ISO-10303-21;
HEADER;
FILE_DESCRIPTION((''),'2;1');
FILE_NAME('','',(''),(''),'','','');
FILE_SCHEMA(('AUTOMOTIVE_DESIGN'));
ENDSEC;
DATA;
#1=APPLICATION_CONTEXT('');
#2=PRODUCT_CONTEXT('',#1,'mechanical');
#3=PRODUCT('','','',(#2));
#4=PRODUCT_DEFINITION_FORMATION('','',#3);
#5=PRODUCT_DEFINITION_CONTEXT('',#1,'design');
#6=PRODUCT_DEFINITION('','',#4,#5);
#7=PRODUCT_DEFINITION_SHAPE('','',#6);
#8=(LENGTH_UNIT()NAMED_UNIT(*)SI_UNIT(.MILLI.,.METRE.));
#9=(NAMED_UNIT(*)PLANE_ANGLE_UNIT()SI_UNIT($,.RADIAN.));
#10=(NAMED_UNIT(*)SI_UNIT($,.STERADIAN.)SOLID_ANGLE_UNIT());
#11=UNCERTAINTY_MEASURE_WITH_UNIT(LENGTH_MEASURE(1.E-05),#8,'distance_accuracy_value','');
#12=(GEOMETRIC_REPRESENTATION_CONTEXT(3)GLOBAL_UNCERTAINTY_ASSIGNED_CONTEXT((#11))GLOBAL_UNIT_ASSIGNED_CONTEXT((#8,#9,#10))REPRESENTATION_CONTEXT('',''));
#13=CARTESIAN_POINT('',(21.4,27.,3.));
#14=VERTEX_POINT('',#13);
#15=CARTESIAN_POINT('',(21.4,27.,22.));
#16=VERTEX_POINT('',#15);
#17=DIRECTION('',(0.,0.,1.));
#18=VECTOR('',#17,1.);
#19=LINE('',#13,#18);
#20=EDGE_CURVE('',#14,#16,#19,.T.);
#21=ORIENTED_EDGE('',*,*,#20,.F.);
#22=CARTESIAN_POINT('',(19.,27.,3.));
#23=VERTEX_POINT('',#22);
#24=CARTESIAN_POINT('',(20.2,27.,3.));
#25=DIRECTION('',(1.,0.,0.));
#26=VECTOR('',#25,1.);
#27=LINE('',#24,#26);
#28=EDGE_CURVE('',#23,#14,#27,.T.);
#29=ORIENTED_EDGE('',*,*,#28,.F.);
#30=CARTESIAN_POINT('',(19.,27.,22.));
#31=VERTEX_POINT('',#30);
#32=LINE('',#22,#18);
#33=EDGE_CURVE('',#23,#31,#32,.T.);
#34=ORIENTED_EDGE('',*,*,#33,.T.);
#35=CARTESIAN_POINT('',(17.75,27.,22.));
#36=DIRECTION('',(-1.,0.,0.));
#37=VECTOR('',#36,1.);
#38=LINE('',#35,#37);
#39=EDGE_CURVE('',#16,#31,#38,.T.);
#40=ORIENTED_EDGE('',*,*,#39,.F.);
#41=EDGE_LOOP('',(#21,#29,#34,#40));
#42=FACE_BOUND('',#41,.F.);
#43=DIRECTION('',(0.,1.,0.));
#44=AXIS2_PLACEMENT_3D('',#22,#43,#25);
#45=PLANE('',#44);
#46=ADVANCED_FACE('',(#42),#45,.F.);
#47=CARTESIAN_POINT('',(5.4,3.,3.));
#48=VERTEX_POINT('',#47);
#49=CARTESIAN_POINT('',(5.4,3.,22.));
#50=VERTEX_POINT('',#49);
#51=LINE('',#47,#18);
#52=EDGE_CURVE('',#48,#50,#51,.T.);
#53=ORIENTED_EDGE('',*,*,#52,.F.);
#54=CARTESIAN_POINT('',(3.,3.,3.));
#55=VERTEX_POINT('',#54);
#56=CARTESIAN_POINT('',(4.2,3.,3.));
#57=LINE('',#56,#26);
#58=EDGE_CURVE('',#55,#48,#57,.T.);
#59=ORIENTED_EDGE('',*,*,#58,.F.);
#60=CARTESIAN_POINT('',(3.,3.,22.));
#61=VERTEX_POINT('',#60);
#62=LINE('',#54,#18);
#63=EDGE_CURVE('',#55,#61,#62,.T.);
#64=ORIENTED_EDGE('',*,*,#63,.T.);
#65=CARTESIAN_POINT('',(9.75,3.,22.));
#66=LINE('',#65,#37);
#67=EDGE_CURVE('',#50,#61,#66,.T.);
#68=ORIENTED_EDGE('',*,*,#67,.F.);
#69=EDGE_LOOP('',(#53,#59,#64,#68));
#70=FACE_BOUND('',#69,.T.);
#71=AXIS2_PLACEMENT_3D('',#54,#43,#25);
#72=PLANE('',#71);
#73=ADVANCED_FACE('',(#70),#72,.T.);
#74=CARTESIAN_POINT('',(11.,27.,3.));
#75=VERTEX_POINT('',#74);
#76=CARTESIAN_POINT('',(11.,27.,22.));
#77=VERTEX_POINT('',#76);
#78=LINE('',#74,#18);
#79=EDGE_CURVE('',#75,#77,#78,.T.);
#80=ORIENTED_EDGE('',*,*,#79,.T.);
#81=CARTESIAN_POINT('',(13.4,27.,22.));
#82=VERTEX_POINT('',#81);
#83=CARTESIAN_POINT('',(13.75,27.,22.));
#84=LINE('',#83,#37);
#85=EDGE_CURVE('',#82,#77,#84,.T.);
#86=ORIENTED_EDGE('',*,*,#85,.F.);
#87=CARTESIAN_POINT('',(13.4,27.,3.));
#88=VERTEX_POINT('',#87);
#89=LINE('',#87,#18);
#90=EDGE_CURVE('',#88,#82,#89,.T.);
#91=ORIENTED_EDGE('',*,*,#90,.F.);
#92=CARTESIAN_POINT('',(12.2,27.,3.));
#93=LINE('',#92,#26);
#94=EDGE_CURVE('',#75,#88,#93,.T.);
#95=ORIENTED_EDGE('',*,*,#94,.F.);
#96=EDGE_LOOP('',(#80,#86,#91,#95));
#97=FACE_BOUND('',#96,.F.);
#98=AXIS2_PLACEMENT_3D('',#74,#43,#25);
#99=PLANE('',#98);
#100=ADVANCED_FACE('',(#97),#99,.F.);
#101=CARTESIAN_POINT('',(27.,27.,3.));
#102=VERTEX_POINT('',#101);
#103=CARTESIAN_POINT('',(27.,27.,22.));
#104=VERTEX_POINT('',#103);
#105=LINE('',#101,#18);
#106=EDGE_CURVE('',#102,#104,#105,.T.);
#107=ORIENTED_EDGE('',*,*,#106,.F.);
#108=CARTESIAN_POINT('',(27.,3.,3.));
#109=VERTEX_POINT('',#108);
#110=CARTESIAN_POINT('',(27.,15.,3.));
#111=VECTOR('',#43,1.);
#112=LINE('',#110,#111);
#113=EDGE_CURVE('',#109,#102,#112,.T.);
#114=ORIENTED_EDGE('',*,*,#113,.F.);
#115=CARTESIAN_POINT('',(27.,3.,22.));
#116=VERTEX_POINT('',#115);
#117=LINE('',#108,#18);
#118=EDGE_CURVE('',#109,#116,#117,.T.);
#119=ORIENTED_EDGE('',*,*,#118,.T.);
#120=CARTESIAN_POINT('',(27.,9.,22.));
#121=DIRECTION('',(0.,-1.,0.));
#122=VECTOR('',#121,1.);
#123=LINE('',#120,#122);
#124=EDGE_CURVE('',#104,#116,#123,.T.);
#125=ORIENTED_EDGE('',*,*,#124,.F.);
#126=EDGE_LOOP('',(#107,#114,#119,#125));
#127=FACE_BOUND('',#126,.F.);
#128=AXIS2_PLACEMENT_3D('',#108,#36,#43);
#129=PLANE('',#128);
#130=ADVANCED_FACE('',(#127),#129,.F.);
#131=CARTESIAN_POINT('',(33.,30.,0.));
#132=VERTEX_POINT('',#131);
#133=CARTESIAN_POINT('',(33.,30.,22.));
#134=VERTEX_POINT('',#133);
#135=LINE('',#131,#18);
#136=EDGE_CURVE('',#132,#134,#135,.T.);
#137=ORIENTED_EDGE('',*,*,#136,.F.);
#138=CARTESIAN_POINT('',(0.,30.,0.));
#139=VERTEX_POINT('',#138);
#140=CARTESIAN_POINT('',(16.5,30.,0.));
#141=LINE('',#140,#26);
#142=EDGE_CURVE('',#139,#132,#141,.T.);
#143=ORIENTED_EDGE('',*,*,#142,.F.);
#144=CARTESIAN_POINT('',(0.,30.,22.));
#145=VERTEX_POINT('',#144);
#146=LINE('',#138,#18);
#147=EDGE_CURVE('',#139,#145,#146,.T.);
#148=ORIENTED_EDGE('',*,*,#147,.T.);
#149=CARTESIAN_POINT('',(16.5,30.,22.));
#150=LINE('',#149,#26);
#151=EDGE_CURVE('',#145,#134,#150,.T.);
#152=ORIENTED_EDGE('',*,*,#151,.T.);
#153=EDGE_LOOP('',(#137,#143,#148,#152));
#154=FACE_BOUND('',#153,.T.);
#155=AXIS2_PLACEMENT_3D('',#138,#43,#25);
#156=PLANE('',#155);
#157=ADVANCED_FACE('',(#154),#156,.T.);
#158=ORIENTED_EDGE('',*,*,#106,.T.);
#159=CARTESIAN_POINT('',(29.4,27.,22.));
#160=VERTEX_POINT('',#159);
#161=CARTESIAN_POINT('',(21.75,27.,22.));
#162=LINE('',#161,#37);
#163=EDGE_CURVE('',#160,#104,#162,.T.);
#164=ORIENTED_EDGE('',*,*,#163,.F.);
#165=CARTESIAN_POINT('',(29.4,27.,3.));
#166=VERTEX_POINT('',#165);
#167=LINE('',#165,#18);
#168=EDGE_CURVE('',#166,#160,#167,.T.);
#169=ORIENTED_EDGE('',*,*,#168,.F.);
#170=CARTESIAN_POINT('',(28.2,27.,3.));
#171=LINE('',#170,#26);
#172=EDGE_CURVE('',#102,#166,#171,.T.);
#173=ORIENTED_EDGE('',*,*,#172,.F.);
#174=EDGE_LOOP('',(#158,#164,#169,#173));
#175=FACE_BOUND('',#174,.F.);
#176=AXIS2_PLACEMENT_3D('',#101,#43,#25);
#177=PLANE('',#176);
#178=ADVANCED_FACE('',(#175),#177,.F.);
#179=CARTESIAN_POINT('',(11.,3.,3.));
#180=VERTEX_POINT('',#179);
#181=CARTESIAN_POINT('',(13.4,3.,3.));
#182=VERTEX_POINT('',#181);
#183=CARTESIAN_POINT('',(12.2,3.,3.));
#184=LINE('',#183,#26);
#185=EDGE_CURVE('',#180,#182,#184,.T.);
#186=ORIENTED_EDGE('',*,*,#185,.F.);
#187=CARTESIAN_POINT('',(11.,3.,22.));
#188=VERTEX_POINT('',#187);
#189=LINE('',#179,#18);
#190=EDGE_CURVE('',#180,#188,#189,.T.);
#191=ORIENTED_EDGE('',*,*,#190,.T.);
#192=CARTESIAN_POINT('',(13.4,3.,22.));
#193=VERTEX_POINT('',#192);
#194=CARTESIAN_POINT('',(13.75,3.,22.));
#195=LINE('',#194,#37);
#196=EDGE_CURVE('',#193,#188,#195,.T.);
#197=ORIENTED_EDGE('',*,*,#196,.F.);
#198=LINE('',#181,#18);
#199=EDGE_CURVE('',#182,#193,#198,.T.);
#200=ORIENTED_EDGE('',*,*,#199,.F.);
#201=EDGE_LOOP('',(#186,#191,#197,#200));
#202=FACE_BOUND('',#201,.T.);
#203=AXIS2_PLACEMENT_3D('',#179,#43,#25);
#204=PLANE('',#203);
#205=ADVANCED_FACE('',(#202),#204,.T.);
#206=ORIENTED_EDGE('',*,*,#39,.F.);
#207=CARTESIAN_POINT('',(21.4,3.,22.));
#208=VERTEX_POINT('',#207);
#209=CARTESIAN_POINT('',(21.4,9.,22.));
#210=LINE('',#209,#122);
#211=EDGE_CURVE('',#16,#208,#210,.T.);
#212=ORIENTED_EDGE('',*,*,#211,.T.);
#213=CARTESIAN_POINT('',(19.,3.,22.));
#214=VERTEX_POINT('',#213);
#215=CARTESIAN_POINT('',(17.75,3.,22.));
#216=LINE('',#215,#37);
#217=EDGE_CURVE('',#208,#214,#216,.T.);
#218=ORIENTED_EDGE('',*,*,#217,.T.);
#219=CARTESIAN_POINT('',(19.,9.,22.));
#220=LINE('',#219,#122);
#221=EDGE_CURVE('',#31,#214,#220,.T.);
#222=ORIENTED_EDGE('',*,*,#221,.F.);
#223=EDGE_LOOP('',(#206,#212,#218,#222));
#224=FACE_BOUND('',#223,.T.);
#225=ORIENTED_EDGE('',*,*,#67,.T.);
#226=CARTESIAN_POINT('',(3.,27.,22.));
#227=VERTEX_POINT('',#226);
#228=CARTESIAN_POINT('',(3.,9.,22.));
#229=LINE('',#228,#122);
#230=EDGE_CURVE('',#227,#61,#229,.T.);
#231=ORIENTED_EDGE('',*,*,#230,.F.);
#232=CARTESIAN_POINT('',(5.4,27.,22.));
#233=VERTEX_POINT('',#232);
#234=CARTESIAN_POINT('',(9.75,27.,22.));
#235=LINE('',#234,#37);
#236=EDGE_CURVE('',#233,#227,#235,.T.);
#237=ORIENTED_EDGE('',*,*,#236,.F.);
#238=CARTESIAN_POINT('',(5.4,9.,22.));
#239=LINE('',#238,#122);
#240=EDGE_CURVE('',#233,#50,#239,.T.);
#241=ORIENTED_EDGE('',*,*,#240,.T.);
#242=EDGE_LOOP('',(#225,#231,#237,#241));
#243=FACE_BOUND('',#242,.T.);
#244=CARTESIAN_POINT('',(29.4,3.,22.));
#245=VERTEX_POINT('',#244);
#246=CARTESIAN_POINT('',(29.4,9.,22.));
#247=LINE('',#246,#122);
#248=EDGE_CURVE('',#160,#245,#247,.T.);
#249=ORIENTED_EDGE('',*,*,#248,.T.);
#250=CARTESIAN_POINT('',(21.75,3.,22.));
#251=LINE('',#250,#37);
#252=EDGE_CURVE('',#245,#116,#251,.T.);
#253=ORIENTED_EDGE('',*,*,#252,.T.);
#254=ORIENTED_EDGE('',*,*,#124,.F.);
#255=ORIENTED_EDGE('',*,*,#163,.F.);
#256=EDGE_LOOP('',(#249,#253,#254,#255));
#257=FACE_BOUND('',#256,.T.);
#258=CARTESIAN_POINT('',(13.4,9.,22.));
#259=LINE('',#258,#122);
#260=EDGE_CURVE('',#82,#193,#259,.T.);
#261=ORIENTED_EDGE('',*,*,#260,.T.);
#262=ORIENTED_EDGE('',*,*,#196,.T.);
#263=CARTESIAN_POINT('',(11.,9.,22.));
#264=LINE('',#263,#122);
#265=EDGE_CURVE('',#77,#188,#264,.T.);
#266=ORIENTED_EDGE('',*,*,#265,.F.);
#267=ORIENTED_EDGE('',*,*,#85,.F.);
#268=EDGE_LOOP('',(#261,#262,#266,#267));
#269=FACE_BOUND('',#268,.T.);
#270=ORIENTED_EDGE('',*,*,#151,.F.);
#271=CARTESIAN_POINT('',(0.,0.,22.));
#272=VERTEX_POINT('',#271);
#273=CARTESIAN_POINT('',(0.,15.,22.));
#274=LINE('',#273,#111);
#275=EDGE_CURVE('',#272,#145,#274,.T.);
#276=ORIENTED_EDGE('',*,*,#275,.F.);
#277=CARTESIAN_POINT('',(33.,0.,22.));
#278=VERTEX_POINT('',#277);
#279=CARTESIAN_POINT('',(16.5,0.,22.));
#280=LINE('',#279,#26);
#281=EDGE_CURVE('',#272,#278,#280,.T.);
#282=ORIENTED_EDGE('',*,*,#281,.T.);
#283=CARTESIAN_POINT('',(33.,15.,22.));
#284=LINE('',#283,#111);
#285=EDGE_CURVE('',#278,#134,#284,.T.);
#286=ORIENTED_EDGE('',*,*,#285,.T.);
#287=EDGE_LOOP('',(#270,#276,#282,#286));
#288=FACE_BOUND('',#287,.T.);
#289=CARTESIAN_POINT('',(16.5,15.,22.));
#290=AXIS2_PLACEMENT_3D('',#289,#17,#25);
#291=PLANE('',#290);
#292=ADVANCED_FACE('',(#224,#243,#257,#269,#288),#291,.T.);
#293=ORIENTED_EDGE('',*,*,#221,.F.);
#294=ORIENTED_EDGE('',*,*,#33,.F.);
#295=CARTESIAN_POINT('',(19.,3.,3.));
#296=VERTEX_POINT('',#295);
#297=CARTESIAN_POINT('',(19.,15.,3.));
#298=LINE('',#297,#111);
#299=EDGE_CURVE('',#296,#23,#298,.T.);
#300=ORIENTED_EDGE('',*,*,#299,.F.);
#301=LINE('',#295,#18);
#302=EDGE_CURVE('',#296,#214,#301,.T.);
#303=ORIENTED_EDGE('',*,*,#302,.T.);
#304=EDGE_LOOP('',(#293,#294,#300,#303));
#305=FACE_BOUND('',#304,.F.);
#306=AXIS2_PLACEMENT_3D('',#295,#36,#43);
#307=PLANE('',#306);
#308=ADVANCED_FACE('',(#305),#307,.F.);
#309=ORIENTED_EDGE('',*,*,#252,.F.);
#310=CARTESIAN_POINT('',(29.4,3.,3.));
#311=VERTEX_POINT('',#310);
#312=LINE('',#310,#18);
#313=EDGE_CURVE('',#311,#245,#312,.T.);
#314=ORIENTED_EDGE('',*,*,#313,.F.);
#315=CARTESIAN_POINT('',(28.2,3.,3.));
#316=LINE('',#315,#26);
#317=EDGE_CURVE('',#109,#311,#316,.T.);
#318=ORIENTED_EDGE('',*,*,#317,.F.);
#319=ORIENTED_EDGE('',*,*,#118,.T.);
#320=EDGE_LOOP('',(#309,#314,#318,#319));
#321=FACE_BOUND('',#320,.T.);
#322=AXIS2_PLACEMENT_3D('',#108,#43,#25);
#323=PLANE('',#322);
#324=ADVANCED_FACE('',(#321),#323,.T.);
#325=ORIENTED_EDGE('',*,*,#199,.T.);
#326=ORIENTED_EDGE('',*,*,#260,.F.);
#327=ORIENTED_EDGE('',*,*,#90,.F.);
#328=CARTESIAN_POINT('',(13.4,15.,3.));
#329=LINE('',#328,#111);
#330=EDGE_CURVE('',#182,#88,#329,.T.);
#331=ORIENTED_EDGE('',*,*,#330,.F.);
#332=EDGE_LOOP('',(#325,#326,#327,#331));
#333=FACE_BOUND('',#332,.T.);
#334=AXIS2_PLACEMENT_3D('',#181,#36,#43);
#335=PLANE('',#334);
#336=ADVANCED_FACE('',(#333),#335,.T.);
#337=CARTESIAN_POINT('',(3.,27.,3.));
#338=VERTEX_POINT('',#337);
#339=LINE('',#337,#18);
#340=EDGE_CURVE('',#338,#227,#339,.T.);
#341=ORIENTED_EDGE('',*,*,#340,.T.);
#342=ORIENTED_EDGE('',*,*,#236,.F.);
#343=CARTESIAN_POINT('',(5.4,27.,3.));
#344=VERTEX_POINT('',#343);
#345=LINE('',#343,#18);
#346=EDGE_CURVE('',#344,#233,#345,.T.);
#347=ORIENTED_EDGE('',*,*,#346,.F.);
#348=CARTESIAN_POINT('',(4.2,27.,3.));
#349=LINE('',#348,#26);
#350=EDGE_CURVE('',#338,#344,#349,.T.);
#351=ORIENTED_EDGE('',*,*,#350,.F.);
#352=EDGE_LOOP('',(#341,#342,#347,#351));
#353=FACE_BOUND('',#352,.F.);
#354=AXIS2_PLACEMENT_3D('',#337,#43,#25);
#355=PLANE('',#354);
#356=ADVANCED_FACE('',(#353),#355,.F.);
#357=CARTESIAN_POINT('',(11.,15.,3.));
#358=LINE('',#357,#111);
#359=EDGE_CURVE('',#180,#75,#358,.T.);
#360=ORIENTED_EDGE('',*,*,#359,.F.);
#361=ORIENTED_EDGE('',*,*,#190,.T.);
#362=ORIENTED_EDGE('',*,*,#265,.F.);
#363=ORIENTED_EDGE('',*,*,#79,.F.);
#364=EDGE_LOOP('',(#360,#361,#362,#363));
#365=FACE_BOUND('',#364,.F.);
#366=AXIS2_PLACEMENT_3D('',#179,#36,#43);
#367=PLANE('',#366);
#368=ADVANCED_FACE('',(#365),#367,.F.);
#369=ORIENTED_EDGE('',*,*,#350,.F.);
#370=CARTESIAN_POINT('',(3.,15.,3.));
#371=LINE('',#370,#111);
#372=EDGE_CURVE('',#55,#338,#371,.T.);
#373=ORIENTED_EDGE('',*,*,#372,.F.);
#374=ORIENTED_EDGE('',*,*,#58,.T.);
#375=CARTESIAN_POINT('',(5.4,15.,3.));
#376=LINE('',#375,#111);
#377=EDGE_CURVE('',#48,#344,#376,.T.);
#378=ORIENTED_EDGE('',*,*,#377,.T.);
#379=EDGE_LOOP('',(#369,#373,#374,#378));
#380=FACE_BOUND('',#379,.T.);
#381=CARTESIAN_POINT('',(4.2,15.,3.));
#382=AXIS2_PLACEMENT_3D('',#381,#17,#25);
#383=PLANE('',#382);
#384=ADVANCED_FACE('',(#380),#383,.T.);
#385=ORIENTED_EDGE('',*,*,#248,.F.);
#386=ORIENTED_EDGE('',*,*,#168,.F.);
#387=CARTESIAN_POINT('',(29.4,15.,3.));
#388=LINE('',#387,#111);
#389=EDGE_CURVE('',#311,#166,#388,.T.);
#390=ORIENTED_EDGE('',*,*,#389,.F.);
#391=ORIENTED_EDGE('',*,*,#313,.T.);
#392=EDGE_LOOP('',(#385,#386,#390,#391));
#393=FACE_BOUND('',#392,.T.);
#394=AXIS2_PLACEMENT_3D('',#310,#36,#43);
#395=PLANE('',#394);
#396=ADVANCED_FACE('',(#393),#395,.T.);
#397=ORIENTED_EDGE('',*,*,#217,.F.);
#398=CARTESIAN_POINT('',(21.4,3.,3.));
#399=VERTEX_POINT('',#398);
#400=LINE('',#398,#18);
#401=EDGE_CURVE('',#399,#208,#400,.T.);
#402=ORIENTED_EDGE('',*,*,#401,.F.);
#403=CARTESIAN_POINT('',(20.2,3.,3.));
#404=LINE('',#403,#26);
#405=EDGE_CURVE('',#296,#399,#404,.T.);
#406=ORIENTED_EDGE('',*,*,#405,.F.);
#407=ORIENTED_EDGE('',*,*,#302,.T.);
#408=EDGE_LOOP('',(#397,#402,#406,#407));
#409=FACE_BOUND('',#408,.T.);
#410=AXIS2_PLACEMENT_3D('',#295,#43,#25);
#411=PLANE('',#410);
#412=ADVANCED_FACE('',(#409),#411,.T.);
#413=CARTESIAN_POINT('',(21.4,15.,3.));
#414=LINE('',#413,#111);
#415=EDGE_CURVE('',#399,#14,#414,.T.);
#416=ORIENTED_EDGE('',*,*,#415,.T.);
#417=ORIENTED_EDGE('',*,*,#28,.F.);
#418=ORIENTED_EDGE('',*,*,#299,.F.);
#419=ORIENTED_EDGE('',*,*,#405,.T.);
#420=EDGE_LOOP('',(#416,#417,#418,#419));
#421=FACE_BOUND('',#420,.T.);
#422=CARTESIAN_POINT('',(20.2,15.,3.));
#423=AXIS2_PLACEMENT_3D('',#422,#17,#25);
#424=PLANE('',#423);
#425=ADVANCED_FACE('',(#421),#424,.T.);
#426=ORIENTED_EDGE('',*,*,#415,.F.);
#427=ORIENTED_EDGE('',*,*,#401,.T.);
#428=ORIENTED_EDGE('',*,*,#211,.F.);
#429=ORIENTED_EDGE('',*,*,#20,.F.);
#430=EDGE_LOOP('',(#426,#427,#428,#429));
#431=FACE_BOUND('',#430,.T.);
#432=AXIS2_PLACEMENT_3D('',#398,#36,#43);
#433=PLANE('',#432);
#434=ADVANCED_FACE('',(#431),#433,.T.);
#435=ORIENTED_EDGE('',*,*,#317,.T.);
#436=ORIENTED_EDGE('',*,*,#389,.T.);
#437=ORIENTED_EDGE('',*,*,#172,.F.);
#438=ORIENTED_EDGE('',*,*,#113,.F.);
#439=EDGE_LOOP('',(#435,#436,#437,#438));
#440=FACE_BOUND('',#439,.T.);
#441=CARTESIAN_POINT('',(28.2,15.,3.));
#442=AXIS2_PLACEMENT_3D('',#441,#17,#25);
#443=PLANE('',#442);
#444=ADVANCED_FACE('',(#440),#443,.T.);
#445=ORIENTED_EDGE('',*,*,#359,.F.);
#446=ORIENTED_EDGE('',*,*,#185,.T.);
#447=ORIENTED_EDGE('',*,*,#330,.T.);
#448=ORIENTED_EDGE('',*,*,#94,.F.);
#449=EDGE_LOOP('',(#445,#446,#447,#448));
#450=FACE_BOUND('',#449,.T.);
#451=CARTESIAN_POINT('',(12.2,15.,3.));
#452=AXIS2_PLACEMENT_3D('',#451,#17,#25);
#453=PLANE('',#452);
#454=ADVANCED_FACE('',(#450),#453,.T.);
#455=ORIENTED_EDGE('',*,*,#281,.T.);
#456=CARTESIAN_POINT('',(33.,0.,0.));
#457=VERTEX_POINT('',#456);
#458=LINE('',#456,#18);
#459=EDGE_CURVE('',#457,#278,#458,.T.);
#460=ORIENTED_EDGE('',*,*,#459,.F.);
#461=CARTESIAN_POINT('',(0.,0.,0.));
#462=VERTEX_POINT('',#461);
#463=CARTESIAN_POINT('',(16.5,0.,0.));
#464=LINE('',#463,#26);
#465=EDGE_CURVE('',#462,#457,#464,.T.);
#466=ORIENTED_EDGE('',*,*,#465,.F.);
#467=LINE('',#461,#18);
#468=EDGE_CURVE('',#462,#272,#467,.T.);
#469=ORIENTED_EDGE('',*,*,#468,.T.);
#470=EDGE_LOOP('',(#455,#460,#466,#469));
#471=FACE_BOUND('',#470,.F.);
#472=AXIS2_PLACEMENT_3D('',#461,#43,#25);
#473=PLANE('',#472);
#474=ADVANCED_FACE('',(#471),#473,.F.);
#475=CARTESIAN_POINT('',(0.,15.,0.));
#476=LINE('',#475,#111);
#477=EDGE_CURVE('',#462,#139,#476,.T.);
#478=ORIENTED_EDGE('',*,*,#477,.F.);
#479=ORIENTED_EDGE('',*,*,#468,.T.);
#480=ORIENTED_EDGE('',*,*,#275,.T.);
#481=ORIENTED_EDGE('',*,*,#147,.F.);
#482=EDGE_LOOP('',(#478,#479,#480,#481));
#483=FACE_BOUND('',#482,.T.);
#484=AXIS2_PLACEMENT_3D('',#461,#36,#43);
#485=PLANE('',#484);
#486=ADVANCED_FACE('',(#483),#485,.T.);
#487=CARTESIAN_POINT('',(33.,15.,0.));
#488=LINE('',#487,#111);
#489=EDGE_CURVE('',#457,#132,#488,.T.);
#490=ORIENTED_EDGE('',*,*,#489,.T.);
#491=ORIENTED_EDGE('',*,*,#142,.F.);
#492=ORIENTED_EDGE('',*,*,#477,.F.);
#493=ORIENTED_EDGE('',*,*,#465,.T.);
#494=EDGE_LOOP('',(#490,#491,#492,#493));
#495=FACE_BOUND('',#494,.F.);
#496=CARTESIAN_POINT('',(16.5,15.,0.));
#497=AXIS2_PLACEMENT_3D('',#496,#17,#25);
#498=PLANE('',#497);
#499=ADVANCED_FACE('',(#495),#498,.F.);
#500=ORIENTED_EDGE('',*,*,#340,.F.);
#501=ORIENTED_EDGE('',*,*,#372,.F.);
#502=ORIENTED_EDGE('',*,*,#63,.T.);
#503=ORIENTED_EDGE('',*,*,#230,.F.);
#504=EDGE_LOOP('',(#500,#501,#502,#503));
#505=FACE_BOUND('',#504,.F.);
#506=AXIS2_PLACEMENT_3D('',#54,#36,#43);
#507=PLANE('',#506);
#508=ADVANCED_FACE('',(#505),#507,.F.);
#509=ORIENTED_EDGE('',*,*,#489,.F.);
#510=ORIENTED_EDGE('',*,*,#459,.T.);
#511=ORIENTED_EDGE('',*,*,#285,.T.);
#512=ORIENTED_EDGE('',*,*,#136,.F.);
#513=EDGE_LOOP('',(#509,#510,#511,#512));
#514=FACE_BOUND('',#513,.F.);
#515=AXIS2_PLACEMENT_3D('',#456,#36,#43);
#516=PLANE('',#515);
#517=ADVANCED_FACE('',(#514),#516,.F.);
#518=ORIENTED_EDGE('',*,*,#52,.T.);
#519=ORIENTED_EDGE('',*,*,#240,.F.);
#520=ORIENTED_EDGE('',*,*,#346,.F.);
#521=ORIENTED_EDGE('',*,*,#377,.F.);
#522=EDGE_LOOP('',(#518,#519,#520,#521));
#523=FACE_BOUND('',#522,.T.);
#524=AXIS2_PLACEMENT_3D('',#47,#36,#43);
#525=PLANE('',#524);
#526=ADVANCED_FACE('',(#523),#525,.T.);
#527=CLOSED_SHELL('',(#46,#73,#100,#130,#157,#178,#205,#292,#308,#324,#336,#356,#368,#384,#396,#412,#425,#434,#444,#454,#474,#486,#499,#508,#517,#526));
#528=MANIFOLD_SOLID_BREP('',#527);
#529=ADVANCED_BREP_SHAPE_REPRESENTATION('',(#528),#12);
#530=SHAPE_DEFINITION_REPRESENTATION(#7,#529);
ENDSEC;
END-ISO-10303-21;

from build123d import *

# Parameters (mm, degrees)
BOX001_W     = 2.4
BOX001_H     = 24
BOX001_DEPTH = 22
BOX002_W     = 2.4
BOX002_H     = 24
BOX002_DEPTH = 22
BOX003_W     = 2.4
BOX003_H     = 24
BOX003_DEPTH = 22
BOX_W        = 2.4
BOX_H        = 24
BOX_DEPTH    = 22
BOX004_W     = 33
BOX004_H     = 30
BOX004_DEPTH = 22


with BuildPart() as ranura002:
    # Box001 → Box001 (new body)
    with BuildSketch(Plane(origin=(11, 3, 3), x_dir=(1, 0, 0), z_dir=(0, 0, 1))):
        with Locations((1.2, 12)):
            Rectangle(BOX001_W, BOX001_H)
    extrude(amount=BOX001_DEPTH)


with BuildPart() as ranura003:
    # Box002 → Box002 (new body)
    with BuildSketch(Plane(origin=(19, 3, 3), x_dir=(1, 0, 0), z_dir=(0, 0, 1))):
        with Locations((1.2, 12)):
            Rectangle(BOX002_W, BOX002_H)
    extrude(amount=BOX002_DEPTH)


with BuildPart() as ranura004:
    # Box003 → Box003 (new body)
    with BuildSketch(Plane(origin=(27, 3, 3), x_dir=(1, 0, 0), z_dir=(0, 0, 1))):
        with Locations((1.2, 12)):
            Rectangle(BOX003_W, BOX003_H)
    extrude(amount=BOX003_DEPTH)


with BuildPart() as ranures:
    # Box → Box (new body)
    with BuildSketch(Plane(origin=(3, 3, 3), x_dir=(1, 0, 0), z_dir=(0, 0, 1))):
        with Locations((1.2, 12)):
            Rectangle(BOX_W, BOX_H)
    extrude(amount=BOX_DEPTH)

    # Fusion: union ranura002, ranura003, ranura004
    add(ranura002.part)
    add(ranura003.part)
    add(ranura004.part)


with BuildPart() as portasds:
    # Box004 → Box004 (new body)
    with BuildSketch(Plane.XY):
        with Locations((16.5, 15)):
            Rectangle(BOX004_W, BOX004_H)
    extrude(amount=BOX004_DEPTH)

    # Cut: cut ranures
    add(ranures.part, mode=Mode.SUBTRACT)


solid = portasds.part
